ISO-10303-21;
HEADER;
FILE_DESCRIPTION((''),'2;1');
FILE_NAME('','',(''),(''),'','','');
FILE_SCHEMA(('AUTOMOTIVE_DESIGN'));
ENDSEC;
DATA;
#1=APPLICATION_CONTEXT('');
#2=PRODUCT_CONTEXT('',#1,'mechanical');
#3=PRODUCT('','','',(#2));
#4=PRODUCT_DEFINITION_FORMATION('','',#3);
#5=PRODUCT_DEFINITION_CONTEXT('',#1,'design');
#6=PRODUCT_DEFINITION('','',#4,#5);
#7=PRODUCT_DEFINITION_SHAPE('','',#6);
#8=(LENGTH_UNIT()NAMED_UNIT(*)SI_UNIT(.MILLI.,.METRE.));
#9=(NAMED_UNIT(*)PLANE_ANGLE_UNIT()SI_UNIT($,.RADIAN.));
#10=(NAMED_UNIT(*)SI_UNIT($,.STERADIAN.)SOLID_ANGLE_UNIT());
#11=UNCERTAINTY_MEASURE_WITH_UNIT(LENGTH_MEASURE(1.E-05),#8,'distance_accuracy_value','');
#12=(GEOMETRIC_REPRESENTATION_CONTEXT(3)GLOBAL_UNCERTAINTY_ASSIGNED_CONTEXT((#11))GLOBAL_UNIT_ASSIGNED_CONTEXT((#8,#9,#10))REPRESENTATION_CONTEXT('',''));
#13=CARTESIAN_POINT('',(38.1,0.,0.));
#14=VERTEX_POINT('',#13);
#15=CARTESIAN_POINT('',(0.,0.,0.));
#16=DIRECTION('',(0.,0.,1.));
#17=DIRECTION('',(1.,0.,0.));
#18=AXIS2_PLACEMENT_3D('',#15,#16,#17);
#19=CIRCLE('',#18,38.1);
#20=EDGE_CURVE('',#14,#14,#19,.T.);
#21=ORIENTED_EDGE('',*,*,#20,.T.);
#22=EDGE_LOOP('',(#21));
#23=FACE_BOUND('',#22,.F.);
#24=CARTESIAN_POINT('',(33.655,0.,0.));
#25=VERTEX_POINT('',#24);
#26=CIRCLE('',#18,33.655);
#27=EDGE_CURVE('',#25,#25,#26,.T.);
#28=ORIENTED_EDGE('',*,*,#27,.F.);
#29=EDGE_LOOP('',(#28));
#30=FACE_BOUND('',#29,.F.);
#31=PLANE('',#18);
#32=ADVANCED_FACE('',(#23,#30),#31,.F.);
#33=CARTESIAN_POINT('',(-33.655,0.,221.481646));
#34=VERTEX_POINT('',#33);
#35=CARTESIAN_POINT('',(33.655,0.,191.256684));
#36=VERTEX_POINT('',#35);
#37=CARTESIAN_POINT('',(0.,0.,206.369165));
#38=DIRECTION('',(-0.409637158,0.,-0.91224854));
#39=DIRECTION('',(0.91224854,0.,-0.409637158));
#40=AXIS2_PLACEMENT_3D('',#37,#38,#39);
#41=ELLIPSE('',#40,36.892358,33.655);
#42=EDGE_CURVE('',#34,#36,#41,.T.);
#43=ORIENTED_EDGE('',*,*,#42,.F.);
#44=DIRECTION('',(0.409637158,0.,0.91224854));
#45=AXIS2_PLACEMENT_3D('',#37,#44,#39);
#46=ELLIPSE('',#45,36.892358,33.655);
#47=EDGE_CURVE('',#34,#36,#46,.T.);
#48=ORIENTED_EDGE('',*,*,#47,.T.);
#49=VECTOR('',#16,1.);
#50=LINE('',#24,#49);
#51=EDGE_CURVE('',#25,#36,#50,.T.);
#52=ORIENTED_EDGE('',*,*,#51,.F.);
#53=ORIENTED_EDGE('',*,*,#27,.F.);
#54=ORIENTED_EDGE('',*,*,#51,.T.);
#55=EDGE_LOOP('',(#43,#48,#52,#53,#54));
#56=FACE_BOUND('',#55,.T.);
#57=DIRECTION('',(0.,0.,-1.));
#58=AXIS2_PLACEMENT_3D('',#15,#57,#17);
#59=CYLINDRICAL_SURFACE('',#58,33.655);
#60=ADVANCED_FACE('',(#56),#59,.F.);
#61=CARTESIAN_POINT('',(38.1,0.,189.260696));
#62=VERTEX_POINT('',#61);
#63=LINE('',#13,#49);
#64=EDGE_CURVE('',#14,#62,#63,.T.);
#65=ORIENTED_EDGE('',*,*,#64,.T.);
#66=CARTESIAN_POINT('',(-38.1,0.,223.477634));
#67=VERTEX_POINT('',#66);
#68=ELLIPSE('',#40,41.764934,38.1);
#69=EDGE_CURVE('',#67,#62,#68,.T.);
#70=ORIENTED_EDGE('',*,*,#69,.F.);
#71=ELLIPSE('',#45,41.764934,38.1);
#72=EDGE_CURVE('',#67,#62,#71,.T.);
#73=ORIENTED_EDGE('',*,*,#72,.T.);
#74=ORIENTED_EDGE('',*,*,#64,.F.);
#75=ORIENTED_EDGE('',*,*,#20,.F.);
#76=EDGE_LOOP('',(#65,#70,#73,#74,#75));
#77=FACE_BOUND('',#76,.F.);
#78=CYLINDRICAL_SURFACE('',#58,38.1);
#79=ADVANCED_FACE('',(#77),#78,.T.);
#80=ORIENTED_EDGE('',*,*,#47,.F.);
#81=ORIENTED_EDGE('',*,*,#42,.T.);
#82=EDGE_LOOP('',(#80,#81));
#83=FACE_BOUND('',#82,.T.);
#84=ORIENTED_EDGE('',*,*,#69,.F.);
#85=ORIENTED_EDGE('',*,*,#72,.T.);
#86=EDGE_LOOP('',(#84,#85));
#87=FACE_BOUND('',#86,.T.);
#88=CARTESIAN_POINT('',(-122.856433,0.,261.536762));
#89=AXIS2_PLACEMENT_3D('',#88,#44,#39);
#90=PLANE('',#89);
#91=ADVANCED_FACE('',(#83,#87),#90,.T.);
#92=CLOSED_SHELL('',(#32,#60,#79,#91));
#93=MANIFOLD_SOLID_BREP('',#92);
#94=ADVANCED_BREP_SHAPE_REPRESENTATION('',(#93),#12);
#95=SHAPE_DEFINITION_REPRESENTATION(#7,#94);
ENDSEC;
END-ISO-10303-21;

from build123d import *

# Parameters (mm, degrees)
F0_R          = 38.1
F0_R_2        = 33.655
F1_DEPTH      = 254
F3_DEPTH      = 54.864
F3_DEPTH_BACK = 56.896


with BuildPart() as f1:
    # F0 (on Top) → F1 (new body)
    with BuildSketch(Plane.XY):
        Circle(F0_R)
        Circle(F0_R_2, mode=Mode.SUBTRACT)
    extrude(amount=F1_DEPTH)

    # F2 (on Front) → F3 (cut, two sides)
    with BuildSketch(Plane.XZ) as f3_sk:
        Polygon((52.692450583, 261.5367621183), (-122.8564327484, 261.5367621183), (52.692450583, 182.7080850374), align=None)
    extrude(amount=-F3_DEPTH, mode=Mode.SUBTRACT)
    extrude(f3_sk.sketch, amount=F3_DEPTH_BACK, mode=Mode.SUBTRACT)


solid = f1.part
